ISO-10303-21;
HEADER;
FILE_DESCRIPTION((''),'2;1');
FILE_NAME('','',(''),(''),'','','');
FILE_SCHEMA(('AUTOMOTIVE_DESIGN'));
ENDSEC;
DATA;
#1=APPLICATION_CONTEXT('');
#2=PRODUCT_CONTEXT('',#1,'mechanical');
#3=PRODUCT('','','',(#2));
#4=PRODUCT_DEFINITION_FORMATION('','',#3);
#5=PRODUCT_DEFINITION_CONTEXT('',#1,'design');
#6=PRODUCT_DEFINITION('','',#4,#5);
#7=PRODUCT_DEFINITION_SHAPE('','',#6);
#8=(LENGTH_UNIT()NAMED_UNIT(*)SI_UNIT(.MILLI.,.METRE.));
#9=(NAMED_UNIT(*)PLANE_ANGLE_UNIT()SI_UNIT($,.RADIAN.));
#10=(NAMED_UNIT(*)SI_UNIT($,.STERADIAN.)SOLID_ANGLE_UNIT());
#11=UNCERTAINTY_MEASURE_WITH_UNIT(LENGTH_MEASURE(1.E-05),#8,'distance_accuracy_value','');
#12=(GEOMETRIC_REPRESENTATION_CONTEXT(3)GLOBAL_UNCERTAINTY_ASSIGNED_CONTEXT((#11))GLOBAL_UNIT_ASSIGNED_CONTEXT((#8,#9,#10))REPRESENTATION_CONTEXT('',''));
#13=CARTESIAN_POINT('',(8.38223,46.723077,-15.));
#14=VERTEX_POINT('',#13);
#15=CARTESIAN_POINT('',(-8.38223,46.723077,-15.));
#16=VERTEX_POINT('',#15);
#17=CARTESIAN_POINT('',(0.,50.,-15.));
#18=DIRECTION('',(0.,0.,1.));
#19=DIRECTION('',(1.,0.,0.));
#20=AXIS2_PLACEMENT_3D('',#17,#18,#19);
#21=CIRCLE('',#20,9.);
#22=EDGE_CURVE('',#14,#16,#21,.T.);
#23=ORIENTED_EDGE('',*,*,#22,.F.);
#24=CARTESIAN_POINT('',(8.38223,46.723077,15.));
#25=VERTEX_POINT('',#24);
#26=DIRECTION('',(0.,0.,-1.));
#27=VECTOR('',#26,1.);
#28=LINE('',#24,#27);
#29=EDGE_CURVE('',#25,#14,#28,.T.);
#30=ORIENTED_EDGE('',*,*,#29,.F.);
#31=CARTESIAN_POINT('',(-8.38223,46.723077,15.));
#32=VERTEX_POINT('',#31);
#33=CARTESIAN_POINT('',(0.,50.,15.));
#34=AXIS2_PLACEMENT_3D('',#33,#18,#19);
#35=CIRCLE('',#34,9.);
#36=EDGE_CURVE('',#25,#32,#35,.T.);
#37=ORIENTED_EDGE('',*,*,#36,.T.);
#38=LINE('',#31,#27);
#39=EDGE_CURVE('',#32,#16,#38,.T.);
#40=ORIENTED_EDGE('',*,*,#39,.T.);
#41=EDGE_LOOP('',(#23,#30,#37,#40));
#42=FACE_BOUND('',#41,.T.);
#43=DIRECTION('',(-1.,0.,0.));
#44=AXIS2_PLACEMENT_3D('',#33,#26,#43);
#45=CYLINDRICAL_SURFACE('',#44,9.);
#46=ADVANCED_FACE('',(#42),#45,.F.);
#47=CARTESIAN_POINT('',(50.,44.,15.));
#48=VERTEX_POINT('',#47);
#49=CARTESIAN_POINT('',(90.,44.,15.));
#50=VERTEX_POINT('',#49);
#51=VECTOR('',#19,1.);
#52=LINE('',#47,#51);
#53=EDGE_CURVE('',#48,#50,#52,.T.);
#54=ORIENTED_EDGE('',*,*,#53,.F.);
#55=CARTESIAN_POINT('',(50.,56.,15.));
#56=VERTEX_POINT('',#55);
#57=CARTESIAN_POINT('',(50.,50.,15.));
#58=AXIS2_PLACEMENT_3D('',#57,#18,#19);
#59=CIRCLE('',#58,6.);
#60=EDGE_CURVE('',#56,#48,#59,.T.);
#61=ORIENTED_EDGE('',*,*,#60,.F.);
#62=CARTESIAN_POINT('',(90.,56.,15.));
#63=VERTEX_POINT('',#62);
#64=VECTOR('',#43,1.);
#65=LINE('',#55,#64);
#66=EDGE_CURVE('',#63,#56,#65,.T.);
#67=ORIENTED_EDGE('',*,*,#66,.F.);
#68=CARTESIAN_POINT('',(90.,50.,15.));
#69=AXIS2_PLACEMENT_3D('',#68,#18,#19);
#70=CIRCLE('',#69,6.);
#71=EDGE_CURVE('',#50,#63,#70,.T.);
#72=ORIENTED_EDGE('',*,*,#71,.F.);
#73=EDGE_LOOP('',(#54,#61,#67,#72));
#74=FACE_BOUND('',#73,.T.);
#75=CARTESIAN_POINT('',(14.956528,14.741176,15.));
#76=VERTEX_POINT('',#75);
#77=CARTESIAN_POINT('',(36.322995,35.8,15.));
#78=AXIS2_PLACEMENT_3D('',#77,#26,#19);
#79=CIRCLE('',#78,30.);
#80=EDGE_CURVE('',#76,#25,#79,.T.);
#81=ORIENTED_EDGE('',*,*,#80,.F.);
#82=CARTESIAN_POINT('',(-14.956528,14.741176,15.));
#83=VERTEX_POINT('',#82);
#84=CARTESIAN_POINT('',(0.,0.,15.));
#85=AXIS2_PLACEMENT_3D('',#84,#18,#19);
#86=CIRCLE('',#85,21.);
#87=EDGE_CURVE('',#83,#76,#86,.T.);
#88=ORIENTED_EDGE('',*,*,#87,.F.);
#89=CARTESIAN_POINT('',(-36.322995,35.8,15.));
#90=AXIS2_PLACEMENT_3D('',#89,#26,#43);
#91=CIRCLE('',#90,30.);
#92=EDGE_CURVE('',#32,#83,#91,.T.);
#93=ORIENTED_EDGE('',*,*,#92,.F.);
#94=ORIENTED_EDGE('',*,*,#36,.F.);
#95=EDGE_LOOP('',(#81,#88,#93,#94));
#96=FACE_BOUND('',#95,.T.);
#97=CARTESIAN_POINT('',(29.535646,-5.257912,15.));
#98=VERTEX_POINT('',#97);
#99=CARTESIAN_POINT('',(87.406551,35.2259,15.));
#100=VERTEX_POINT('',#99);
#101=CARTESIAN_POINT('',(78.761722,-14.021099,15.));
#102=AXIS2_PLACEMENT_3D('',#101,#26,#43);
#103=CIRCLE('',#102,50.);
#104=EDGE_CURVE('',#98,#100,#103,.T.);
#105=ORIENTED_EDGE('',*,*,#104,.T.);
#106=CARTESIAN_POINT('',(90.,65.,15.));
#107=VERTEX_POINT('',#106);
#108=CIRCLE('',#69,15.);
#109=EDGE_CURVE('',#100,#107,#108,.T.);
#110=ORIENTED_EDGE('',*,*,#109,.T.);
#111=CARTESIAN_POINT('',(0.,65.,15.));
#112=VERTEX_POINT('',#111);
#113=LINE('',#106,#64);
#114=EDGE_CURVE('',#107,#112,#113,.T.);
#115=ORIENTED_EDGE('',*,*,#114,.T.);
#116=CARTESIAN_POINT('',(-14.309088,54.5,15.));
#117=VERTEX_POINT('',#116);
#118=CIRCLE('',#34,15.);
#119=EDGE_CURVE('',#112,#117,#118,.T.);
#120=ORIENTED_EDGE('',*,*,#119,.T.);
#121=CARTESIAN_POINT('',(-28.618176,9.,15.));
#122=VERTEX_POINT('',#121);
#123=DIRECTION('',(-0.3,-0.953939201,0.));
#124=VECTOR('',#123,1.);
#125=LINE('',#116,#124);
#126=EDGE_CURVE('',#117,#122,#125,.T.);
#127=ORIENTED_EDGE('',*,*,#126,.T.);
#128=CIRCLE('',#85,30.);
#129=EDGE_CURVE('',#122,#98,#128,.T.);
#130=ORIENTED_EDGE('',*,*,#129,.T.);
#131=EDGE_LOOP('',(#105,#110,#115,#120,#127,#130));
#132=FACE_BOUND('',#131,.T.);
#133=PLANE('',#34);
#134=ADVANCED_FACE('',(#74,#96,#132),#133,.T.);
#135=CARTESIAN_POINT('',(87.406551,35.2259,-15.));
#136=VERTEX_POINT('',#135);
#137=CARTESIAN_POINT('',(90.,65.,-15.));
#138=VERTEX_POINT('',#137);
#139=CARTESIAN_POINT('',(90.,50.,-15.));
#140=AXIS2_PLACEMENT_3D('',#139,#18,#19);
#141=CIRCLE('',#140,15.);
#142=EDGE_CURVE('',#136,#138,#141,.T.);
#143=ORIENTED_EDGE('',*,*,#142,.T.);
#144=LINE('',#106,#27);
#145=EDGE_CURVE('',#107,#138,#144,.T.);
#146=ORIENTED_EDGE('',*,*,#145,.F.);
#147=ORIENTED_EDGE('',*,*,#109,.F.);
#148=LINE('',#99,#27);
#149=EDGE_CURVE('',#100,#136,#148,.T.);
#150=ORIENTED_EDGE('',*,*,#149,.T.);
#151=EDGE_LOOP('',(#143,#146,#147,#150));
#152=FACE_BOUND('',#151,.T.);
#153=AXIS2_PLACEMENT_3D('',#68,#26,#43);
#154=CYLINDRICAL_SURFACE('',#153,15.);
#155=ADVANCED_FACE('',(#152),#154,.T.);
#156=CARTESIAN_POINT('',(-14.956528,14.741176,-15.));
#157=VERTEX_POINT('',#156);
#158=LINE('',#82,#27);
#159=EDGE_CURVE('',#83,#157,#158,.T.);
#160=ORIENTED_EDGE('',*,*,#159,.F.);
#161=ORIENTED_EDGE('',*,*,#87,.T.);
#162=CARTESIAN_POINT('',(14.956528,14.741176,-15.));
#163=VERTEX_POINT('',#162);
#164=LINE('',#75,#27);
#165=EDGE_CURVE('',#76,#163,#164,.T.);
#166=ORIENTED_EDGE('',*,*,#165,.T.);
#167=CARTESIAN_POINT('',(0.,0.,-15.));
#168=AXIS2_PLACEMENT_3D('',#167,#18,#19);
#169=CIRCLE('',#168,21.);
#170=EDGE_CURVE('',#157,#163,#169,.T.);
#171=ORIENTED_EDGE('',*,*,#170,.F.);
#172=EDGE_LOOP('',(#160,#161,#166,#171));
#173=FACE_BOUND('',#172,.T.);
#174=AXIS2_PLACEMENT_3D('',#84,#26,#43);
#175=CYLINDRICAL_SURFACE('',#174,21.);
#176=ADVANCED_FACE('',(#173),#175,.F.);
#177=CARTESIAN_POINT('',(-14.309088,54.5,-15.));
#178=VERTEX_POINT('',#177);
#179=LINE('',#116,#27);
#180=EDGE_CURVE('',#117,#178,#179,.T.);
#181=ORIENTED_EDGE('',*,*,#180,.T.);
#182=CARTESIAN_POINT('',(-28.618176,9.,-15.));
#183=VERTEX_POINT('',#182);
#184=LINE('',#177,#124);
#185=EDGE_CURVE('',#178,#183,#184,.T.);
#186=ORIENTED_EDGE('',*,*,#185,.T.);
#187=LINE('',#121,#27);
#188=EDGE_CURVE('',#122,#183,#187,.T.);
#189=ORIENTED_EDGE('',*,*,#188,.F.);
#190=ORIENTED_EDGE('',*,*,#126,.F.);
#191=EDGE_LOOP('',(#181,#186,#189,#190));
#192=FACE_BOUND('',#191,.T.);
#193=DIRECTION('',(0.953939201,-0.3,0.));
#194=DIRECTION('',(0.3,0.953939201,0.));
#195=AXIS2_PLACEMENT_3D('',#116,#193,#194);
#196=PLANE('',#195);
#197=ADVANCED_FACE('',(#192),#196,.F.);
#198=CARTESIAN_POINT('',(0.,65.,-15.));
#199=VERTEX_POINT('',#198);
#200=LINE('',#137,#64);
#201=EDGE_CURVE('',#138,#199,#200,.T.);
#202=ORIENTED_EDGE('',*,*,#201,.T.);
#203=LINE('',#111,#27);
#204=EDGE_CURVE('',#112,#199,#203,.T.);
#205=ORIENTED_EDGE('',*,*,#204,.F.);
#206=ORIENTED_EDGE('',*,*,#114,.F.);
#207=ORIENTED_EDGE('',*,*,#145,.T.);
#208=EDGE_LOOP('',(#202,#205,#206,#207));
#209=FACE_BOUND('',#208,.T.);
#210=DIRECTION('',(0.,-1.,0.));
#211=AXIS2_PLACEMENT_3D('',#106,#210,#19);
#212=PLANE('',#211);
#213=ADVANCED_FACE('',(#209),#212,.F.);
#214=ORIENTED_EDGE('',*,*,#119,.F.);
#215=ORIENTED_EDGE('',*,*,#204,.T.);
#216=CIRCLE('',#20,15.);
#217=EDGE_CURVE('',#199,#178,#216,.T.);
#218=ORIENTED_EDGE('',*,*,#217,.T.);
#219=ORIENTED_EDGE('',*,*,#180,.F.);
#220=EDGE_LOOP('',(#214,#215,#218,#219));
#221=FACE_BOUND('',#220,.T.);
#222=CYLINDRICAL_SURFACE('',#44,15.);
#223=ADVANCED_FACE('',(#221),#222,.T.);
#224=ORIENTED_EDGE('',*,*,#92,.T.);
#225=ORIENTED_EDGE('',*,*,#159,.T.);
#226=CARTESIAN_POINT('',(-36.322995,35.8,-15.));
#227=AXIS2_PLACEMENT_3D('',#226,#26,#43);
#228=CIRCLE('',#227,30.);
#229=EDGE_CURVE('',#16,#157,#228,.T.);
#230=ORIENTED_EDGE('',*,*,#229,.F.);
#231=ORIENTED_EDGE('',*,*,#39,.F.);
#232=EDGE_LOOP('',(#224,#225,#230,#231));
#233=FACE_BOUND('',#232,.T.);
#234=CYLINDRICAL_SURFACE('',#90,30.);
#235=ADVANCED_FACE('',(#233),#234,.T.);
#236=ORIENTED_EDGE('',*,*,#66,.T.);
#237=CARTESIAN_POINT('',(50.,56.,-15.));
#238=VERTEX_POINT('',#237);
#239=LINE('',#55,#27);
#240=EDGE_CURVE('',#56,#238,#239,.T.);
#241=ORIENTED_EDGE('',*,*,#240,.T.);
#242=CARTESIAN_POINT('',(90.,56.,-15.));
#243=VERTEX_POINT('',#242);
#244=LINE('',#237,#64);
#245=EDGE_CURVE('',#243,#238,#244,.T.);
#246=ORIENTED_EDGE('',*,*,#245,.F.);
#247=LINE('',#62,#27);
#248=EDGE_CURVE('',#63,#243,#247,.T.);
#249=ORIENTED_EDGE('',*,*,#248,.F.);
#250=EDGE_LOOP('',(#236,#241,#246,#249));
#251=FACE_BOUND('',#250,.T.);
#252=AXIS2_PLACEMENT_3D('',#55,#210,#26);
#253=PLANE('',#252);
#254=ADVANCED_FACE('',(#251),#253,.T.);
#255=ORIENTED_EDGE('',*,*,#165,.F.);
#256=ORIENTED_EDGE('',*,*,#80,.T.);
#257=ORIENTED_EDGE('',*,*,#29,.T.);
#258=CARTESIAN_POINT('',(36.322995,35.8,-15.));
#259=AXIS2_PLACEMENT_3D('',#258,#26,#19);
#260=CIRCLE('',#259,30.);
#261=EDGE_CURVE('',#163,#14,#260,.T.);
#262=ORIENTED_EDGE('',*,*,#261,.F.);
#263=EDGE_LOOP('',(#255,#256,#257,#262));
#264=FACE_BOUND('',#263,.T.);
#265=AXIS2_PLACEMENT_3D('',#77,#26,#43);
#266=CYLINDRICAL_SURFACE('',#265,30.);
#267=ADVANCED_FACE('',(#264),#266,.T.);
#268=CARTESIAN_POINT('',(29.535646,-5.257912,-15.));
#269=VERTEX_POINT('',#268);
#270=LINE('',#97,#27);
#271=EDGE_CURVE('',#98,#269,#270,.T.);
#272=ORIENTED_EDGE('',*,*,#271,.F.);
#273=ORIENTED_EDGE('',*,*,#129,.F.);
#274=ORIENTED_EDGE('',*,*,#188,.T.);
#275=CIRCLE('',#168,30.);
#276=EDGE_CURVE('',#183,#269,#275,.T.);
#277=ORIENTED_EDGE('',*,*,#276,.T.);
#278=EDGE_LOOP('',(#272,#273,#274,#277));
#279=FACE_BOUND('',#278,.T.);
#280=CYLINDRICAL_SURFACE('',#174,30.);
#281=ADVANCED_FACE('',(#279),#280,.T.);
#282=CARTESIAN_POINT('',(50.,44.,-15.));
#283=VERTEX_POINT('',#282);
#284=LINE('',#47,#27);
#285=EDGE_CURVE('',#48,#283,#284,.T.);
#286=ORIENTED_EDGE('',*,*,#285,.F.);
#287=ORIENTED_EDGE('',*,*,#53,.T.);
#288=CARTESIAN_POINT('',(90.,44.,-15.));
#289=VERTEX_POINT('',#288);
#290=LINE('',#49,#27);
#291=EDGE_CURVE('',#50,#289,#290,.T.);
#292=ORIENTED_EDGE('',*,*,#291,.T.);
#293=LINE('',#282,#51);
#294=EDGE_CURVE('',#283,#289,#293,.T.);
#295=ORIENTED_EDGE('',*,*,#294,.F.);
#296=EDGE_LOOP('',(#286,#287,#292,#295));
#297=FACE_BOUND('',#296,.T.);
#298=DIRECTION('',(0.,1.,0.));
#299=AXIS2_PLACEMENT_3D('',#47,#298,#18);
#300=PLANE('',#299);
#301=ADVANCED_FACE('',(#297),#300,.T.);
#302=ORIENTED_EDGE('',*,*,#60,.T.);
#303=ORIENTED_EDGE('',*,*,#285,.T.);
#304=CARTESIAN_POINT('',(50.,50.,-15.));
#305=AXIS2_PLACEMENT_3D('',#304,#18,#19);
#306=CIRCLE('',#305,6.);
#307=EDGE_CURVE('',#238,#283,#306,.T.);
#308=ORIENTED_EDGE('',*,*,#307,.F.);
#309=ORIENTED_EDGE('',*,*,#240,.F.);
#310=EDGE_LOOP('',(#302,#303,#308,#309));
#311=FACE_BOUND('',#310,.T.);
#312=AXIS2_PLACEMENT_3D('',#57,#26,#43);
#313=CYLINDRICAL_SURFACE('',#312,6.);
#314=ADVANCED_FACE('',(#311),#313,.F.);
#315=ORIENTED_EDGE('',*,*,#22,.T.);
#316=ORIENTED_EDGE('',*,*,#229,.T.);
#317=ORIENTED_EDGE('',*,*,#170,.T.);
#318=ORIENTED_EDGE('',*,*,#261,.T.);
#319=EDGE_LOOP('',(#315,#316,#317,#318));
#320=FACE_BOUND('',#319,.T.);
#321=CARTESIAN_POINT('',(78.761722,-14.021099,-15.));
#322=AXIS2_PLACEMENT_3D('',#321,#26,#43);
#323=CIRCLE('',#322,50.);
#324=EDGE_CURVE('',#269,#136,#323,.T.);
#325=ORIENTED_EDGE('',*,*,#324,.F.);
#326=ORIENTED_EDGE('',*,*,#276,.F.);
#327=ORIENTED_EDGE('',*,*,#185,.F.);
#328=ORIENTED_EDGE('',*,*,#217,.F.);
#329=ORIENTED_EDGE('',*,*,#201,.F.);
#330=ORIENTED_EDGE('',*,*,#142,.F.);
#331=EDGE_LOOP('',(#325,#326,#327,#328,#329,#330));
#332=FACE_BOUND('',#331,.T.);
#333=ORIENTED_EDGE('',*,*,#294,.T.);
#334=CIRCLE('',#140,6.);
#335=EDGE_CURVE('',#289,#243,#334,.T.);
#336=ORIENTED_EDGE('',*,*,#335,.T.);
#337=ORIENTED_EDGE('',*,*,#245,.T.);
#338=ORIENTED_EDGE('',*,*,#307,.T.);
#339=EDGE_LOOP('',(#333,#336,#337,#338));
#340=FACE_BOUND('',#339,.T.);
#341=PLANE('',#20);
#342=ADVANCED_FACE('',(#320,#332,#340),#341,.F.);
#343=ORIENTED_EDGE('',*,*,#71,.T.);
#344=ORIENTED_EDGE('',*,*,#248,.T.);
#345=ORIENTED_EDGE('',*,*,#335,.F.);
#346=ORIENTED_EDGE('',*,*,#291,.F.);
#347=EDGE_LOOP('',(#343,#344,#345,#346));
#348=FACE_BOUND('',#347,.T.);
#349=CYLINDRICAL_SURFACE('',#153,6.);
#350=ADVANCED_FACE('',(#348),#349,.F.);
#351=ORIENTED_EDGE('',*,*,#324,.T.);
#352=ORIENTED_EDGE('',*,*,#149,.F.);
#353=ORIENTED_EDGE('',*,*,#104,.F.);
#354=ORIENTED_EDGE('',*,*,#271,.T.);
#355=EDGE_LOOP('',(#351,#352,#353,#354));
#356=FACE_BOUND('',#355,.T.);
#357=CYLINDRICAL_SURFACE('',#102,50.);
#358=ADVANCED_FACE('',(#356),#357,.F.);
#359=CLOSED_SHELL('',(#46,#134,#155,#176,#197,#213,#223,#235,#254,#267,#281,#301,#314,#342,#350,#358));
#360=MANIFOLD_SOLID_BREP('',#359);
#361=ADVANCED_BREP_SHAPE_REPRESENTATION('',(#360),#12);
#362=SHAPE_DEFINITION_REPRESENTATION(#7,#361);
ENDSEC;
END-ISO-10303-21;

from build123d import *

# Parameters (mm, degrees)
BOSS_EXTRUDE1_DEPTH = 15


with BuildPart() as part:
    # Sketch1 → Boss-Extrude1 (new, symmetric)
    with BuildSketch(Plane.XY):
        with BuildLine():
            Line((90, 65), (0, 65))
            ThreePointArc((0, 65), (-8.874119675, 62.093386622), (-14.309088021, 54.5))
            Line((-14.309088021, 54.5), (-28.618176043, 9))
            ThreePointArc((-28.618176043, 9), (-7.143700144, -29.137047693), (29.535645594, -5.25791207))
            ThreePointArc((29.535645594, -5.25791207), (50.100874494, 26.949083525), (87.406551135, 35.225900265))
            ThreePointArc((87.406551135, 35.225900265), (104.943418217, 48.698365648), (90, 65))
        make_face()
        with BuildLine():
            Line((50, 56), (90, 56))
            ThreePointArc((90, 56), (96, 50), (90, 44))
            Line((90, 44), (50, 44))
            ThreePointArc((50, 44), (44, 50), (50, 56))
        make_face(mode=Mode.SUBTRACT)
        with BuildLine():
            ThreePointArc((-14.956527547, 14.741176471), (0, -21), (14.956527547, 14.741176471))
            ThreePointArc((14.956527547, 14.741176471), (6.937432482, 29.759413292), (8.382229724, 46.723076923))
            ThreePointArc((8.382229724, 46.723076923), (0, 59), (-8.382229724, 46.723076923))
            ThreePointArc((-8.382229724, 46.723076923), (-6.937432482, 29.759413292), (-14.956527547, 14.741176471))
        make_face(mode=Mode.SUBTRACT)
    extrude(amount=BOSS_EXTRUDE1_DEPTH, both=True)


solid = part.part
